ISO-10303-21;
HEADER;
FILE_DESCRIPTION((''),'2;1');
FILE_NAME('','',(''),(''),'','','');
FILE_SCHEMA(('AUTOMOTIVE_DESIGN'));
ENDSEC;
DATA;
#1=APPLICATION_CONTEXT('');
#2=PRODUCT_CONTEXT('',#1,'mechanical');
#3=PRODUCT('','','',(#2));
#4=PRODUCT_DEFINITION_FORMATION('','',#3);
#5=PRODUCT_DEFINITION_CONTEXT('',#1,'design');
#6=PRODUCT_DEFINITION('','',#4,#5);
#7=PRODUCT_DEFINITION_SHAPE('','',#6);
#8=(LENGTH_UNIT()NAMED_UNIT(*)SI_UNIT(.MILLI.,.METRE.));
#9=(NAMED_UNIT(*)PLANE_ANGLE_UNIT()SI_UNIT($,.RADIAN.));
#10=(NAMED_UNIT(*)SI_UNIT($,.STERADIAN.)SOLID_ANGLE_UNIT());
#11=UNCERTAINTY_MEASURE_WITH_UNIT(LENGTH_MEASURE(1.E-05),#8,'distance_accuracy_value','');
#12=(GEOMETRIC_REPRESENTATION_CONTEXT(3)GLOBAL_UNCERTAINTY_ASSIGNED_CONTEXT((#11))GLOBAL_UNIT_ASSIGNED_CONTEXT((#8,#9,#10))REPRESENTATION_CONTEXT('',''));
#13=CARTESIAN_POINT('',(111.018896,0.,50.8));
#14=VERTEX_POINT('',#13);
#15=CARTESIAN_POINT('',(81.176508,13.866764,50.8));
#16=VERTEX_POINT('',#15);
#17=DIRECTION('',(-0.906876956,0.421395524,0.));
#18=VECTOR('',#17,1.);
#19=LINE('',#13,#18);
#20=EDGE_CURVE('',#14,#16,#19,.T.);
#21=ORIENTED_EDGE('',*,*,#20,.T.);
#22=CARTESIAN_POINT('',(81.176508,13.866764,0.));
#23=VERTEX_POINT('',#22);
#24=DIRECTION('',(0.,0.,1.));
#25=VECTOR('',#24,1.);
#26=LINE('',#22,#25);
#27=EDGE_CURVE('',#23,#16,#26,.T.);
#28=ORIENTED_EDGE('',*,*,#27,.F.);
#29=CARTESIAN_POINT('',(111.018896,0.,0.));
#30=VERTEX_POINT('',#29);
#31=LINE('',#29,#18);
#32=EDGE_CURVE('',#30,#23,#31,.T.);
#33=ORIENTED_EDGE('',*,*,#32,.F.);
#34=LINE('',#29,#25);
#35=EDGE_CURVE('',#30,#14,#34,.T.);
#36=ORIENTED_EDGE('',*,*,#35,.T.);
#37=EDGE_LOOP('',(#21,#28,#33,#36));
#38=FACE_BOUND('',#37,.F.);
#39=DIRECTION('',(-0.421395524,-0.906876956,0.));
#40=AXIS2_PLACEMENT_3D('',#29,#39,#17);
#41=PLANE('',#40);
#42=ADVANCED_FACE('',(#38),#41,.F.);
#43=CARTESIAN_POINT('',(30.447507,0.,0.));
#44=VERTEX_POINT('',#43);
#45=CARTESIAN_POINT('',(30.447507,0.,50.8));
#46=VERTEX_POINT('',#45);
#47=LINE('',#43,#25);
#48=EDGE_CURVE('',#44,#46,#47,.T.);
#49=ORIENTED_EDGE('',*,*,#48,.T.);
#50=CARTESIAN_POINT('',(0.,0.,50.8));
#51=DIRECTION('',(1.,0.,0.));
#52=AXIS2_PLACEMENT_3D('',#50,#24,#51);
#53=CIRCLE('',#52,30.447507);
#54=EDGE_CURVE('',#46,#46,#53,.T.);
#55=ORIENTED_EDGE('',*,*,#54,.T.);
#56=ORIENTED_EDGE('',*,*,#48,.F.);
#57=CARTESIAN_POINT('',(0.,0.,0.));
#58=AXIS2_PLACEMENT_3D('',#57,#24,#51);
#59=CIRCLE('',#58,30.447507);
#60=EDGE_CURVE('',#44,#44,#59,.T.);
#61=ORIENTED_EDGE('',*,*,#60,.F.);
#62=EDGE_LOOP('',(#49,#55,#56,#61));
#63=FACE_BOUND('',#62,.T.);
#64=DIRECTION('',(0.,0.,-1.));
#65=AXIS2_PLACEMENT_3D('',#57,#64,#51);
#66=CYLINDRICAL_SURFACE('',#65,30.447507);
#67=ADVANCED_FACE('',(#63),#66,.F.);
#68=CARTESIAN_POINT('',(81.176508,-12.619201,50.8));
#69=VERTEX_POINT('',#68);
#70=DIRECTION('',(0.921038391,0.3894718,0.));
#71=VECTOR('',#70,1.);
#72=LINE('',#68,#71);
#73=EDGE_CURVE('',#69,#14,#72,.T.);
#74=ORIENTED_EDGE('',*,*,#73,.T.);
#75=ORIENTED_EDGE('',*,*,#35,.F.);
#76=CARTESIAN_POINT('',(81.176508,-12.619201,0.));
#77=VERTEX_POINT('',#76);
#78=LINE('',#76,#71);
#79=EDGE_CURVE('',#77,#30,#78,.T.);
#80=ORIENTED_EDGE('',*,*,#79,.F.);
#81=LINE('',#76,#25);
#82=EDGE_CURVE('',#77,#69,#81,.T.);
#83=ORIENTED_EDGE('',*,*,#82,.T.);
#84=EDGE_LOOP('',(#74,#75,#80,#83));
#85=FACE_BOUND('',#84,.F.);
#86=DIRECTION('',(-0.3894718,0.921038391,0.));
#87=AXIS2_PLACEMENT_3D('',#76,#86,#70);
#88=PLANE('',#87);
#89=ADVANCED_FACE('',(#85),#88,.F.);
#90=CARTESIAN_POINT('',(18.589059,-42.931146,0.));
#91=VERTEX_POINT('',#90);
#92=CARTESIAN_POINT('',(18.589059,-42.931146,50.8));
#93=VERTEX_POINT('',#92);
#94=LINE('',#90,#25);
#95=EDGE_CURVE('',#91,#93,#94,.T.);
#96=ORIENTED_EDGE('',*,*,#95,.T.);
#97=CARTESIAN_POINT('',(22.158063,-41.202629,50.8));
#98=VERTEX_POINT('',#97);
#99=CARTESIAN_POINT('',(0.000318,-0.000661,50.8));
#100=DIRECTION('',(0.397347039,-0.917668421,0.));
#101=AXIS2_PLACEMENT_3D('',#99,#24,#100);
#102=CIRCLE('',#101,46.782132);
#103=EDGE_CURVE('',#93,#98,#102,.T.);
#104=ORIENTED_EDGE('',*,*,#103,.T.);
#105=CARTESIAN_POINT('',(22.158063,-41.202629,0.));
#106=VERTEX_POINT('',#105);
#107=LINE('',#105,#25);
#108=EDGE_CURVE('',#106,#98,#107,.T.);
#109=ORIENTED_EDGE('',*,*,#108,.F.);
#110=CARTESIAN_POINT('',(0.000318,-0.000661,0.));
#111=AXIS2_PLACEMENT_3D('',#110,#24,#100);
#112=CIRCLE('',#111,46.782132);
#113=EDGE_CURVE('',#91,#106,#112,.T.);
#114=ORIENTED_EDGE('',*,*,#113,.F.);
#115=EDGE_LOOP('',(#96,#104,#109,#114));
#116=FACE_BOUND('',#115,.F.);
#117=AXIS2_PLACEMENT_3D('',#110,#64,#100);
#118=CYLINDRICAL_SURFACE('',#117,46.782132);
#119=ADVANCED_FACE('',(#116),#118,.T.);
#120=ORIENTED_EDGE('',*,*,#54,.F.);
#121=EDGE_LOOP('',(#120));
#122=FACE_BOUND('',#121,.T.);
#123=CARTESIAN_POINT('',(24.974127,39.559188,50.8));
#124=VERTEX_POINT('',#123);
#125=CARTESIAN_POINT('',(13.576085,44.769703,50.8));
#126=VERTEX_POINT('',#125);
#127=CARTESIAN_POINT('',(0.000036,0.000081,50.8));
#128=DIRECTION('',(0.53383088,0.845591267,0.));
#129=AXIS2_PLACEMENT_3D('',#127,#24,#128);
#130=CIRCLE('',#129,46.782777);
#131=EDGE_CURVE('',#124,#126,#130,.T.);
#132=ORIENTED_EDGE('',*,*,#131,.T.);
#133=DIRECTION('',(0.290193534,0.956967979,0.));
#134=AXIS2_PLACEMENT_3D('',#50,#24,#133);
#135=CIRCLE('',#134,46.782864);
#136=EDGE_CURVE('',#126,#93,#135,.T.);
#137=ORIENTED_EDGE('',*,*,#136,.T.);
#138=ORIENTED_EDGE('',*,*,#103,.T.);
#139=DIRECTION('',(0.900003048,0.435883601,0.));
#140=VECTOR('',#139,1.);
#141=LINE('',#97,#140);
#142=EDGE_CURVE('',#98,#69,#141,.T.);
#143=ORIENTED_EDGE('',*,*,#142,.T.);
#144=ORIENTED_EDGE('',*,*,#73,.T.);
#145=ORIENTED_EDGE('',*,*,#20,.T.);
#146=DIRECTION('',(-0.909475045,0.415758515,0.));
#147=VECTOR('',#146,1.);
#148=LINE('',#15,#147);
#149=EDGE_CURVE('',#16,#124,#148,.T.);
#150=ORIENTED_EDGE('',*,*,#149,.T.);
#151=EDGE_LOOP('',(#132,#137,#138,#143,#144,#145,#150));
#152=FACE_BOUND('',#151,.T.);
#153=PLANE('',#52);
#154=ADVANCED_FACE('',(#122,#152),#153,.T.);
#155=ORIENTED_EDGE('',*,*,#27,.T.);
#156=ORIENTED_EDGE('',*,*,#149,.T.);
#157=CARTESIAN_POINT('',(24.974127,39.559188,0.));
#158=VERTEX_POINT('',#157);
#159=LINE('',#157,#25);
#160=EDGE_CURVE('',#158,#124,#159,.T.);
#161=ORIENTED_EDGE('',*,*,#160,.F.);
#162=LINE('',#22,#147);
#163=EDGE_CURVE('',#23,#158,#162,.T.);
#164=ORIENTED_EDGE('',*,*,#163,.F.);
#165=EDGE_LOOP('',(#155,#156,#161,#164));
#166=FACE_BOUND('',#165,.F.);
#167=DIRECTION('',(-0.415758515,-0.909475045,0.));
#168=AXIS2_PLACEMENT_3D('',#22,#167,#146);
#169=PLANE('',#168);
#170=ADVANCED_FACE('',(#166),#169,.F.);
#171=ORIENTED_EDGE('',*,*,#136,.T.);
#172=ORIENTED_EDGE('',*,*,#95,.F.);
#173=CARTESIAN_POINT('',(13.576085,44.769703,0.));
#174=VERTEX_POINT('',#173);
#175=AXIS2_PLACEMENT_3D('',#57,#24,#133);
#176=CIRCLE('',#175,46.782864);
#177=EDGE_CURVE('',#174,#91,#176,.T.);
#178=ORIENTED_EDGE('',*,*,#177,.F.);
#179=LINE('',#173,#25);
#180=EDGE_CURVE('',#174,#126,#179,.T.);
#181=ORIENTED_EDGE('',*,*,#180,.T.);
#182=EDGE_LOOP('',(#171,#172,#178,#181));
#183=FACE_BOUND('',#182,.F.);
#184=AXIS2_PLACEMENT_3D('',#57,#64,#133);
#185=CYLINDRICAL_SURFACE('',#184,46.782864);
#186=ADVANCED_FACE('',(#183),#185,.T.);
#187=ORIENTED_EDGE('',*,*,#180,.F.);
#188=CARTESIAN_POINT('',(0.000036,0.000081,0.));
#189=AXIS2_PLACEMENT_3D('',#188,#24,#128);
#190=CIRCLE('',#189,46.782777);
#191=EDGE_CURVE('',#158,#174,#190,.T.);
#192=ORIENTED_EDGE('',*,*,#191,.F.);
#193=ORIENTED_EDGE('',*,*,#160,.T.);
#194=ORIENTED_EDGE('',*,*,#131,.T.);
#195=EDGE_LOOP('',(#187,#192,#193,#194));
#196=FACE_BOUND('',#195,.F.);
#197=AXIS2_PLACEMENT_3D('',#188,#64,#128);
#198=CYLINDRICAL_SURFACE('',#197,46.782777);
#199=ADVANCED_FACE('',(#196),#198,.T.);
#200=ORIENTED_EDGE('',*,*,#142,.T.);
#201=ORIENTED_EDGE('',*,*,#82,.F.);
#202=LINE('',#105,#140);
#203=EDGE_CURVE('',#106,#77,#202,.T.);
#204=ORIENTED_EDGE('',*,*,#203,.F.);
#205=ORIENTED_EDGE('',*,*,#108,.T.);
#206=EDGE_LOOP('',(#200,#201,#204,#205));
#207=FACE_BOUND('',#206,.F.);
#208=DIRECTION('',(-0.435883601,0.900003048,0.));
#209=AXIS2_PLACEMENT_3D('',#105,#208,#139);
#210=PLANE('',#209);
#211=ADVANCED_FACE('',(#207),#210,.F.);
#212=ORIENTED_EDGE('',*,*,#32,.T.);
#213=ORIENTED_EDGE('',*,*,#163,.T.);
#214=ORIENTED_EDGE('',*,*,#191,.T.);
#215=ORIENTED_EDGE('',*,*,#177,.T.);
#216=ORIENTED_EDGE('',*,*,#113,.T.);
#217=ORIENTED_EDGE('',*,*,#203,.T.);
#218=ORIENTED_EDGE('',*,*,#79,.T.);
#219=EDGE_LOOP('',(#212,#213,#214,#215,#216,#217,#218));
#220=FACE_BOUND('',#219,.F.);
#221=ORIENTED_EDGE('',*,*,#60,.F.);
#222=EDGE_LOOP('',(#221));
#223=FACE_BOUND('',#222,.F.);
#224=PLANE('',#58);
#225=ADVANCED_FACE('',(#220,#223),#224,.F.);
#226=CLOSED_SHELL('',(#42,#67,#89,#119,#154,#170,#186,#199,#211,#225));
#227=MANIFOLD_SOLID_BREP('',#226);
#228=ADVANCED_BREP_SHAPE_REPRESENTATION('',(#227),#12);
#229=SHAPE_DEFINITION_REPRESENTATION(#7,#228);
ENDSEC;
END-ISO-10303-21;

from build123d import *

# Parameters (mm, degrees)
F0_R     = 30.447507
F1_DEPTH = 50.8


with BuildPart() as f1:
    # F0 (on Top) → F1 (new body)
    with BuildSketch(Plane.XY):
        Circle(F0_R)
        with BuildLine():
            ThreePointArc((22.158063, -41.202629), (40.157528, -24.000195), (46.782864, 0))
            ThreePointArc((46.782864, 0), (40.969486, 22.586226), (24.974127, 39.559188))
            Line((24.974127, 39.559188), (13.576085, 44.769703))
            ThreePointArc((13.576085, 44.769703), (-46.706625, -2.669747), (18.589059, -42.931146))
            Line((18.589059, -42.931146), (22.158063, -41.202629))
        make_face()
        Circle(F0_R, mode=Mode.SUBTRACT)
        with BuildLine():
            ThreePointArc((24.974127, 39.559188), (40.969486, 22.586226), (46.782864, 0))
            Line((46.782864, 0), (81.176508, 0))
            Line((81.176508, 0), (81.176508, 13.866764))
            Line((81.176508, 13.866764), (24.974127, 39.559188))
        make_face()
        with BuildLine():
            Line((81.176508, 0), (46.782864, 0))
            ThreePointArc((46.782864, 0), (40.157528, -24.000195), (22.158063, -41.202629))
            Line((22.158063, -41.202629), (81.176508, -12.619201))
            Line((81.176508, -12.619201), (81.176508, 0))
        make_face()
        with BuildLine():
            Line((13.576085, 44.769703), (24.974127, 39.559188))
            ThreePointArc((24.974127, 39.559188), (19.450375, 42.547848), (13.576085, 44.769703))
        make_face()
        with BuildLine():
            ThreePointArc((18.589059, -42.931146), (20.391884, -42.104721), (22.158063, -41.202629))
            Line((22.158063, -41.202629), (18.589059, -42.931146))
        make_face()
        Polygon((81.176508, 13.866764), (81.176508, 0), (111.018896, 0), align=None)
        Polygon((111.018896, 0), (81.176508, 0), (81.176508, -12.619201), align=None)
    extrude(amount=F1_DEPTH)


solid = f1.part
